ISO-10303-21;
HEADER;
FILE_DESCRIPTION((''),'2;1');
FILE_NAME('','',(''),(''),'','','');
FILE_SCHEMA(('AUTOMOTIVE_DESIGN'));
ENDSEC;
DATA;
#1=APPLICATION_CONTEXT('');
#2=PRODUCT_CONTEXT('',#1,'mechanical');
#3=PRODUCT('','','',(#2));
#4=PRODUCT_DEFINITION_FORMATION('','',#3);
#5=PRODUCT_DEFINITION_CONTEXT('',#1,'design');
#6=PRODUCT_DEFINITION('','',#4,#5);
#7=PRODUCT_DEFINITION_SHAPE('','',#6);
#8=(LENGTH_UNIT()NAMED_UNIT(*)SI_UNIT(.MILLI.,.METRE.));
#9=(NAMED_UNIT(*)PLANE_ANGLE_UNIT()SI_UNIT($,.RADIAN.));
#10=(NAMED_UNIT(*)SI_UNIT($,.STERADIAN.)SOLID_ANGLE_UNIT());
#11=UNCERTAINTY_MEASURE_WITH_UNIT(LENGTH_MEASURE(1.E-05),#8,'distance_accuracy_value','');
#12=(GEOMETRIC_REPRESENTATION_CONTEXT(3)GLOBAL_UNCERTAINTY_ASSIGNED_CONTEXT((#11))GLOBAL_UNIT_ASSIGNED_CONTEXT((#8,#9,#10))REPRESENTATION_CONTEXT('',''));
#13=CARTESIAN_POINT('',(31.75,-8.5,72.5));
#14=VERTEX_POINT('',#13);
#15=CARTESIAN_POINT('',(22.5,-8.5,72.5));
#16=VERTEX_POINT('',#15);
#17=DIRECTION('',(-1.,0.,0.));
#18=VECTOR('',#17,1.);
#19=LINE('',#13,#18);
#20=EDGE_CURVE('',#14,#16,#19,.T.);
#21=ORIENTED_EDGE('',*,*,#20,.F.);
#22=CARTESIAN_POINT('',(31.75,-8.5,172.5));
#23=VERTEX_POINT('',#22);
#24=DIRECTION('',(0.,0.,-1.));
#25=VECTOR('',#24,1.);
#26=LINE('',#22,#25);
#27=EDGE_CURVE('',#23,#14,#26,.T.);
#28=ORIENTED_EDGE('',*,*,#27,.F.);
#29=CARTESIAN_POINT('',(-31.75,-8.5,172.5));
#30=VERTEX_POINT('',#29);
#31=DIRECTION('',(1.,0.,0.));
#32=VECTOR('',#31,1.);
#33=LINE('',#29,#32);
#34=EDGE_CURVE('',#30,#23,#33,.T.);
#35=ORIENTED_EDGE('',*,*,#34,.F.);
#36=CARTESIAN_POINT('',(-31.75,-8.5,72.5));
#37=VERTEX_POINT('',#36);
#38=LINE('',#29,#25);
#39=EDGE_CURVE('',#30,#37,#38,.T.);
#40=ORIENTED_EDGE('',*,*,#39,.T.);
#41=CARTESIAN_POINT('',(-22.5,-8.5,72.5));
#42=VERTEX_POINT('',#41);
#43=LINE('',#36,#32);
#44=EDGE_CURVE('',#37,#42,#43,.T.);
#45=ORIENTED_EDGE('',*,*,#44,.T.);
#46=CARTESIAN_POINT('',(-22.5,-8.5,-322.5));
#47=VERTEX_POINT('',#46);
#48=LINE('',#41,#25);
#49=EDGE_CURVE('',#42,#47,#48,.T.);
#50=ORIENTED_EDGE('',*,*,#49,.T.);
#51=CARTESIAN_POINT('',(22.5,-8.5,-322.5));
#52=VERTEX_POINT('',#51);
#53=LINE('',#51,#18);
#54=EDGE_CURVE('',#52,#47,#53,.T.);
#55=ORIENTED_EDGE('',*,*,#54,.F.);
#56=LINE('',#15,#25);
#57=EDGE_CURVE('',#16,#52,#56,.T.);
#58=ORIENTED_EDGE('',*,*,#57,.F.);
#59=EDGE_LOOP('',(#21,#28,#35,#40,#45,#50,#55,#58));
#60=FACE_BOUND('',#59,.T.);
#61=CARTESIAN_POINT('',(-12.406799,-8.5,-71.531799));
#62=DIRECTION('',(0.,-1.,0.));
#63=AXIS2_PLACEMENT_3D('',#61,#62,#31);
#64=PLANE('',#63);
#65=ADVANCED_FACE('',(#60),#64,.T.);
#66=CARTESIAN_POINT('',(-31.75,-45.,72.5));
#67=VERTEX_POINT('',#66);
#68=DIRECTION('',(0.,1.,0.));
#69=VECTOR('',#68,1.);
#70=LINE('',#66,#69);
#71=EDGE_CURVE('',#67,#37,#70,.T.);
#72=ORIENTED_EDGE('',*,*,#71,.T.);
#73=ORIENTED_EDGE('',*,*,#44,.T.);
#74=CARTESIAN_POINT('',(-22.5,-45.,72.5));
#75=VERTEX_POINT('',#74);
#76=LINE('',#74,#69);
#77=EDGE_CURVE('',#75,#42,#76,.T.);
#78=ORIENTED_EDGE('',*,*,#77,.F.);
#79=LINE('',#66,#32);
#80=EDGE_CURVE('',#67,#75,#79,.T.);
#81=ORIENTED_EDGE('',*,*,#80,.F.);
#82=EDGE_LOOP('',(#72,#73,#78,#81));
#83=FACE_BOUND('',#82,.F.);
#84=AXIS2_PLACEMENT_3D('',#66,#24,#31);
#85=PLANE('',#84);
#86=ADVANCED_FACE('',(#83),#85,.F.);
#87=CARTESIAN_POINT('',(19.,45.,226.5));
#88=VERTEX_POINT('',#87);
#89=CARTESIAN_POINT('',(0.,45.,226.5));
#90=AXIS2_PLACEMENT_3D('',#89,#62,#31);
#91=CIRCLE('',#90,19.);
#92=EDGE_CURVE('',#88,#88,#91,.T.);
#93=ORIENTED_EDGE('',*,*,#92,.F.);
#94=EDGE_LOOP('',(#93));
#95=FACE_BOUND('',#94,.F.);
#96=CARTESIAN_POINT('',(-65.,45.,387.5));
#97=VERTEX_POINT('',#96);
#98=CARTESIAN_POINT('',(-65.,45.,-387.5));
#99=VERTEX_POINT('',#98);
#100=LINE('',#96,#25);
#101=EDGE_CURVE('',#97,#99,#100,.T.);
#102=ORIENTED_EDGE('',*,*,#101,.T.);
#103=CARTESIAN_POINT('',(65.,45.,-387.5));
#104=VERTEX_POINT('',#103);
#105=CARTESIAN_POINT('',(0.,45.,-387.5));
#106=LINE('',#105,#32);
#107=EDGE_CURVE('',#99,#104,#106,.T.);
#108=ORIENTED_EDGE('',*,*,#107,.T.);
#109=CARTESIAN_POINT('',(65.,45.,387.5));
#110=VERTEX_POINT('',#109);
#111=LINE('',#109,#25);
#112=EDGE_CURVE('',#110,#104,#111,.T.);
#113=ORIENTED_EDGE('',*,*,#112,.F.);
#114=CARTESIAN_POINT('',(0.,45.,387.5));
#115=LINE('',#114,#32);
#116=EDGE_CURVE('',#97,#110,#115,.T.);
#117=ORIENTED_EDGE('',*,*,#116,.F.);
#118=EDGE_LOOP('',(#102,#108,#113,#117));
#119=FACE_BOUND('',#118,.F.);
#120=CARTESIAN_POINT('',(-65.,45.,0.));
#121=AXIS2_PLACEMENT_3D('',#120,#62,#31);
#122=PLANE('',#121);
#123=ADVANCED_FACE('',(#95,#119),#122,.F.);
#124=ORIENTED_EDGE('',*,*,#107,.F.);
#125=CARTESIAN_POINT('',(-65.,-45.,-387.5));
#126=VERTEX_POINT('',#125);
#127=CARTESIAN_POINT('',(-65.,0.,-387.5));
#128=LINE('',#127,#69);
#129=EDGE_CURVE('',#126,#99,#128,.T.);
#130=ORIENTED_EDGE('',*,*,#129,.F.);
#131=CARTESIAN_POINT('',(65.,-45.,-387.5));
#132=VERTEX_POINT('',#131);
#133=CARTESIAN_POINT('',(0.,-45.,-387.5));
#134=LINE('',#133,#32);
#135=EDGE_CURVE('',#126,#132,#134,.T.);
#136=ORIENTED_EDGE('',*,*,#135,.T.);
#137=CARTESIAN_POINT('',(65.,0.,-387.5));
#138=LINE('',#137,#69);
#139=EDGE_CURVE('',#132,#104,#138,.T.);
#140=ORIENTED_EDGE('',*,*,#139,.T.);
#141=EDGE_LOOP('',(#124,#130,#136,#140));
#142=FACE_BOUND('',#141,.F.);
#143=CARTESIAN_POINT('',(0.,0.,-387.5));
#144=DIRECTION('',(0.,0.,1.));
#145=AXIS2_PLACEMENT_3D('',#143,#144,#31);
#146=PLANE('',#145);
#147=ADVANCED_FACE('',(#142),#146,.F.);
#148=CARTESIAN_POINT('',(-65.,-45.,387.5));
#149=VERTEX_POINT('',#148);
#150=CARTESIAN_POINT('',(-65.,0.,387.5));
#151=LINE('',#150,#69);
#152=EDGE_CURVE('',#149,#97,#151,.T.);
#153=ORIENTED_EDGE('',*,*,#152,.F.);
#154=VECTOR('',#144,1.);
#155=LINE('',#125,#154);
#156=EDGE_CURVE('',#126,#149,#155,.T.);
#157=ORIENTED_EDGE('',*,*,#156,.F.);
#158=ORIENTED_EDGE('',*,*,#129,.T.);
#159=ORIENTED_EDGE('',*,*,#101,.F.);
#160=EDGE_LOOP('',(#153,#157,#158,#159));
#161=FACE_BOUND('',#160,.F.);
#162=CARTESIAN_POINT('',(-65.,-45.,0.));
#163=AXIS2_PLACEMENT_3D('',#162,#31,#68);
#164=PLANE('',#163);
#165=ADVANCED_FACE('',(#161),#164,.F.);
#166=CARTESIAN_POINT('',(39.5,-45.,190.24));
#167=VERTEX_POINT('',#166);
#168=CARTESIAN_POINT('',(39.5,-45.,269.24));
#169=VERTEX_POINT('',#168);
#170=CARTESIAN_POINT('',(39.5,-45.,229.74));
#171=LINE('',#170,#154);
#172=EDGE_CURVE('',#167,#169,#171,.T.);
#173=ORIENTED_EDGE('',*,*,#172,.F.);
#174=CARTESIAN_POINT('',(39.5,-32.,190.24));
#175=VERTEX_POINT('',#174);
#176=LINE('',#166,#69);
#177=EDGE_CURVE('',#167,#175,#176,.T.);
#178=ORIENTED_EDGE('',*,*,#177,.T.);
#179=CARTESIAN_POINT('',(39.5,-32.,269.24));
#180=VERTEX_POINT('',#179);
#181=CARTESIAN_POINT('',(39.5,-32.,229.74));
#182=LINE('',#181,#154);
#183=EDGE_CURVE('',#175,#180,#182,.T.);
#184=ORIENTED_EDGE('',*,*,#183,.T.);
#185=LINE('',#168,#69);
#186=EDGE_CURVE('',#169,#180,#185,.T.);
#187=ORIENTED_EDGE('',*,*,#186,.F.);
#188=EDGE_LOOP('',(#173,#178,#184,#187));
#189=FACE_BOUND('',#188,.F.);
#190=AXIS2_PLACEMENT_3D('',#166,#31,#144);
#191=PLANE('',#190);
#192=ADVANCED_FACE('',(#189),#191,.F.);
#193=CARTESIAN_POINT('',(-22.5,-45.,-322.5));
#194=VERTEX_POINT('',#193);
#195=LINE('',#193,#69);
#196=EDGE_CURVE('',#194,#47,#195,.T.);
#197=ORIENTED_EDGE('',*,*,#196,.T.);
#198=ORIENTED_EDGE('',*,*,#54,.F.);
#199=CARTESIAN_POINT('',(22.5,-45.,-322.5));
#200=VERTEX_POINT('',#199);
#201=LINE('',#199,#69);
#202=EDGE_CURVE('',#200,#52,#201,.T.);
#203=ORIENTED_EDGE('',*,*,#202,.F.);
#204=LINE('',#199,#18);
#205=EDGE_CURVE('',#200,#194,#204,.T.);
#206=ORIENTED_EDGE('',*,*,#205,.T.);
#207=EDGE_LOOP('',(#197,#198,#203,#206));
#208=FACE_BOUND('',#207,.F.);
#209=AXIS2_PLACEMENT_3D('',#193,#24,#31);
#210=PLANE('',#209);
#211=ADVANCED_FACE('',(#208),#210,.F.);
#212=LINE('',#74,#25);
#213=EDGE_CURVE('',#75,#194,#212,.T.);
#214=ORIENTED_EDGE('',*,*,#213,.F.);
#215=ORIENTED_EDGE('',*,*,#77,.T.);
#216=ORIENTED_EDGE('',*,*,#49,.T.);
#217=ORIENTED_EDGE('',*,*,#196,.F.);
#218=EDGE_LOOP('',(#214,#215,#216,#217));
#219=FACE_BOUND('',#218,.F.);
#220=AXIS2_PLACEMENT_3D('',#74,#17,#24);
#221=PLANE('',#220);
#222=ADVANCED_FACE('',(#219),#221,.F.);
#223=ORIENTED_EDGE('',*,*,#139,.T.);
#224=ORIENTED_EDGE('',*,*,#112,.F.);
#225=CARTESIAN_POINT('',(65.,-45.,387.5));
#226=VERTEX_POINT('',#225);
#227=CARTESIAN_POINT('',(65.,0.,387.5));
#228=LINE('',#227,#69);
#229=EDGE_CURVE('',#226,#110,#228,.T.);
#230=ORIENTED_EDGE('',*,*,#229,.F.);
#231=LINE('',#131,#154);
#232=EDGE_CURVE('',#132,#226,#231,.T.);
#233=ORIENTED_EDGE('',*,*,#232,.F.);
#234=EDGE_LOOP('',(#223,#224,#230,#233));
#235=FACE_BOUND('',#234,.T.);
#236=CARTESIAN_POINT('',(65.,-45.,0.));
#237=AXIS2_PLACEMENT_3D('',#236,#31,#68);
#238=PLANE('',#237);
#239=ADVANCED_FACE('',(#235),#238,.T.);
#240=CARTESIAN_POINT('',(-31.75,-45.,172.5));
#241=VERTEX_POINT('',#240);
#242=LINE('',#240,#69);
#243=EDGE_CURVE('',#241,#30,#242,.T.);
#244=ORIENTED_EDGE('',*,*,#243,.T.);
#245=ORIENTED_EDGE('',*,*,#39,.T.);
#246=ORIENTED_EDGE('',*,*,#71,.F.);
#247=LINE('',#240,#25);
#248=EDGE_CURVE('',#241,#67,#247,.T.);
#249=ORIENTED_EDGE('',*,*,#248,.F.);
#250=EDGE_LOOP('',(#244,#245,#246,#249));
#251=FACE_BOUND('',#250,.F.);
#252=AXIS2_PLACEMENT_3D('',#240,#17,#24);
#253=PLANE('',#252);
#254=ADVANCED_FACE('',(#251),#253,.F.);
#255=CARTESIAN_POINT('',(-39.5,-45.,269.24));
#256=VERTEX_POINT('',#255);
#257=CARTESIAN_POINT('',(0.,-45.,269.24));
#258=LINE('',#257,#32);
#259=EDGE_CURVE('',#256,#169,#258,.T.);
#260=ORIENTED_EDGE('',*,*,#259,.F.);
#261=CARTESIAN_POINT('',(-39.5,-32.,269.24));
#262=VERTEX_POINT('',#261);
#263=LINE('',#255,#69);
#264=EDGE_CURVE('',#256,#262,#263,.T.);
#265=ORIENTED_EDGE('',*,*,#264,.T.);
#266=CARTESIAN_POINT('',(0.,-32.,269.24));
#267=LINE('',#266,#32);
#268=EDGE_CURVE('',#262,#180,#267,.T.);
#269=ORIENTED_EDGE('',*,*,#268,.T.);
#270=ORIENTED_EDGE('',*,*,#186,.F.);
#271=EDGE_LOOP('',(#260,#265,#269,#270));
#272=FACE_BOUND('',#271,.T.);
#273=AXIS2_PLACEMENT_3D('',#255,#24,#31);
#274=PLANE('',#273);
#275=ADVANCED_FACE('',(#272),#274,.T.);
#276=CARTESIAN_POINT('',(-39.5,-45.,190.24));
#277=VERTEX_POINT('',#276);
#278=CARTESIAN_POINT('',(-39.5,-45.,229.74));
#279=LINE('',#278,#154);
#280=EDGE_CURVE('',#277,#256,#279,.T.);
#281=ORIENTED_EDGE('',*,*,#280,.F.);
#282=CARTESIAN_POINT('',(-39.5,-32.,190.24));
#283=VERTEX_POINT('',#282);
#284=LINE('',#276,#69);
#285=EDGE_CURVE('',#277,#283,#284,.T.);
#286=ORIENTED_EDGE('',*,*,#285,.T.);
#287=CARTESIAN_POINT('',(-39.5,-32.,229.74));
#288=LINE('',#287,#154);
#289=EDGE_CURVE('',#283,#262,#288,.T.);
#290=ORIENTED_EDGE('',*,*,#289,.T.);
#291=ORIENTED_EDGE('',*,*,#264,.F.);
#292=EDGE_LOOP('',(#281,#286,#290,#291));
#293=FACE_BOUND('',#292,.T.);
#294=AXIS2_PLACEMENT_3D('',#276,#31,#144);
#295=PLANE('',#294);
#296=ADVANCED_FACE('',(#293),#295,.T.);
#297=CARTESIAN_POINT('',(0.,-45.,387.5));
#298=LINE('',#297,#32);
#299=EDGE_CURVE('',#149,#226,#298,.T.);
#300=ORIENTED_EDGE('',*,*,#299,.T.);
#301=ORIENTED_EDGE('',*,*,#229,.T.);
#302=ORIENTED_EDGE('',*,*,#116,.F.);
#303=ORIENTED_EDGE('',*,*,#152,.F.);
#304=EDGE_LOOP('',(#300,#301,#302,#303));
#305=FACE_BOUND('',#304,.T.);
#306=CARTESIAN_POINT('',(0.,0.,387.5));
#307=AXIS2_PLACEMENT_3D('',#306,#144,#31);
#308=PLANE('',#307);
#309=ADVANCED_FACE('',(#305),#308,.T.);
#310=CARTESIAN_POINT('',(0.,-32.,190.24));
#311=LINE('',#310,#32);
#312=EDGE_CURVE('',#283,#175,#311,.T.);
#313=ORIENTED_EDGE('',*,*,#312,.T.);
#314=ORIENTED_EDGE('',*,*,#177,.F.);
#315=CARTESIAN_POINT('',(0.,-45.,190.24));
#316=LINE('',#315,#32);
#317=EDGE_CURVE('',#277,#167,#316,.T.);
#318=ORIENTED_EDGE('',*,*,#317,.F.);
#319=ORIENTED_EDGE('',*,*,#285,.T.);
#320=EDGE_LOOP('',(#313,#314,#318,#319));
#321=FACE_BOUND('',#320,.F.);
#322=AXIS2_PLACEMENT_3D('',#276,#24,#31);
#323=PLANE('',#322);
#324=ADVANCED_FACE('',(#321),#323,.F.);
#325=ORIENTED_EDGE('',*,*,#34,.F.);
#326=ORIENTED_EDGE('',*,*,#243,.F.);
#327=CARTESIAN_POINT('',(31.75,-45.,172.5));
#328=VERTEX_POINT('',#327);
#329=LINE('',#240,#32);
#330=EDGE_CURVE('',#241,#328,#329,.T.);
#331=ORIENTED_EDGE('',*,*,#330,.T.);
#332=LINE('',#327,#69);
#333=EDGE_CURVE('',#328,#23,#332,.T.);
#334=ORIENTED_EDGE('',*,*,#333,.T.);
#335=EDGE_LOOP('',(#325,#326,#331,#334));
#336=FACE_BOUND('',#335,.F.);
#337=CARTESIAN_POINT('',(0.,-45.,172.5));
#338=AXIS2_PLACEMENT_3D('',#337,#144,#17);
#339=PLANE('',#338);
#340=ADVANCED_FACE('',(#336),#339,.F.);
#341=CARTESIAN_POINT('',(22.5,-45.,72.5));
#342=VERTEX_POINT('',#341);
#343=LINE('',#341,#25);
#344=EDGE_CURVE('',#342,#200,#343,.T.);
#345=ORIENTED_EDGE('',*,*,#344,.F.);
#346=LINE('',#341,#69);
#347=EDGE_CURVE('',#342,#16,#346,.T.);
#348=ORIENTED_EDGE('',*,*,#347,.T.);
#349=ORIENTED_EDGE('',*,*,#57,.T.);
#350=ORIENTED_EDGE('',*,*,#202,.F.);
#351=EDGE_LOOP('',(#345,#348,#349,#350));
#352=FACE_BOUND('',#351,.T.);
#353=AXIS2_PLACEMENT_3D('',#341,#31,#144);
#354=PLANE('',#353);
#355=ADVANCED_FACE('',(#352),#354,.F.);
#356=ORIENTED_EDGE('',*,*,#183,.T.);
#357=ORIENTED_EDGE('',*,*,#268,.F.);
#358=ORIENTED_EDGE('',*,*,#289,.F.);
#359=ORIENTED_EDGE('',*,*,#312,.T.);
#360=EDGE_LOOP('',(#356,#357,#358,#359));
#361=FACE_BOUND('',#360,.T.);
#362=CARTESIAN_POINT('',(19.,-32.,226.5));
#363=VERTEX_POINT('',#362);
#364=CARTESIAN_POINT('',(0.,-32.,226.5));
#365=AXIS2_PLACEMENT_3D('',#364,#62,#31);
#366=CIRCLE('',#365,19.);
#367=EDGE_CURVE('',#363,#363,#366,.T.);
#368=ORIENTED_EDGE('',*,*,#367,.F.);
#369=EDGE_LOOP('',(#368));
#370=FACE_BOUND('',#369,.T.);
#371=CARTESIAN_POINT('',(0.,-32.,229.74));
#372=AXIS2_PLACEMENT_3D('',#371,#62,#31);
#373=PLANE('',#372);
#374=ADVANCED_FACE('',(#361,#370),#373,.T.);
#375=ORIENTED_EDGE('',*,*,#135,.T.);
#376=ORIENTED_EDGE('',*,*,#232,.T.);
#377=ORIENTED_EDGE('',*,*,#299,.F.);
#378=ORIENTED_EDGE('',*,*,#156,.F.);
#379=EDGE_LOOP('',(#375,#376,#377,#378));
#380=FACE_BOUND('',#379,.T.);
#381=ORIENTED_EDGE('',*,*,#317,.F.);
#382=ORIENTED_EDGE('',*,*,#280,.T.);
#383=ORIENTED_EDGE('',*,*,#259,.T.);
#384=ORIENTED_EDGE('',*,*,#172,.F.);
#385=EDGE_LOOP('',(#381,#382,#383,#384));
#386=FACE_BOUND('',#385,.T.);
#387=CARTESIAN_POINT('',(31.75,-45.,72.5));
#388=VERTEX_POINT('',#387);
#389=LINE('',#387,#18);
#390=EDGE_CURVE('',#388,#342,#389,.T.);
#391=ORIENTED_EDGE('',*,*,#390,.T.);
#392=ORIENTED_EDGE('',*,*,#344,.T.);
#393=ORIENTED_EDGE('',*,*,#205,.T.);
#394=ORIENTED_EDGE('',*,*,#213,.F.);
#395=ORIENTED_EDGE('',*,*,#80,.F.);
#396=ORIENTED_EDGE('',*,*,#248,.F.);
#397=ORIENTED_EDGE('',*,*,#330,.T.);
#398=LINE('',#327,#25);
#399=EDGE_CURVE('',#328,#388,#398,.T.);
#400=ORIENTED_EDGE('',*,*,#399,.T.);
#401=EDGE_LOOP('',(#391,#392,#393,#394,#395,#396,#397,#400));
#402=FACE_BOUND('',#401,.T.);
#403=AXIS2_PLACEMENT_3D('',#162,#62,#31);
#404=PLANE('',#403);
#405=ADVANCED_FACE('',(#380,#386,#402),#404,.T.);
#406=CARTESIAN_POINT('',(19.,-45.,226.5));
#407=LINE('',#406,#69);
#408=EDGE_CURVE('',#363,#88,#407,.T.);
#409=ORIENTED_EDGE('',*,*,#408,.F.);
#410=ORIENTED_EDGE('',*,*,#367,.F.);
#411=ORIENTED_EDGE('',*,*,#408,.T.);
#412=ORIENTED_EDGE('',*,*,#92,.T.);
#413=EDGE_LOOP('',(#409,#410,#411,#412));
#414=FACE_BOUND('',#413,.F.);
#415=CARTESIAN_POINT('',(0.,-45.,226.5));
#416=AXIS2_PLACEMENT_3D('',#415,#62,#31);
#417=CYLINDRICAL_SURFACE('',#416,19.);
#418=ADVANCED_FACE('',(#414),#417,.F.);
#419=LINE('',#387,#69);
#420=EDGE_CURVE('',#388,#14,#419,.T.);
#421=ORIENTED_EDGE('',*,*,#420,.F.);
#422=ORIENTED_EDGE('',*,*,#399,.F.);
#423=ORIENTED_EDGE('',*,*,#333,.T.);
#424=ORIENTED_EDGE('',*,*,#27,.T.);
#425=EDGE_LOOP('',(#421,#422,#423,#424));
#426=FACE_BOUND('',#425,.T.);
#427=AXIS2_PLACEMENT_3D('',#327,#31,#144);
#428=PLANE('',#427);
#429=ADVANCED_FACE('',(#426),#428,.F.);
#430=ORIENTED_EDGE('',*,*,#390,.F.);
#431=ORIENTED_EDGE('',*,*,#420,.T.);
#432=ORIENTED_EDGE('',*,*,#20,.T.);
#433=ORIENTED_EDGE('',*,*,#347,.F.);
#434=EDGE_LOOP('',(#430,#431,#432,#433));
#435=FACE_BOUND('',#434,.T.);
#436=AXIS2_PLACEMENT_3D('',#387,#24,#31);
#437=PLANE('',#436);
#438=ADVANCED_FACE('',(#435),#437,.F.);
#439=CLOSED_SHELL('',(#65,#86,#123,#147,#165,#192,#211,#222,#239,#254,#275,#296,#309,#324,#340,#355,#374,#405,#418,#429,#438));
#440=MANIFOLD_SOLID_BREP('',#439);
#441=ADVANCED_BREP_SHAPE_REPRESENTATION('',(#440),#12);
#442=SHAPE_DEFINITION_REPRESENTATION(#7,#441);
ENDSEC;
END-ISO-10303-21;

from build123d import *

# Parameters (mm, degrees)
SKETCH_W        = 130
SKETCH_H        = 90
PAD_DEPTH       = 387.5
POCKET_DEPTH    = 36.5
SKETCH002_R     = 19
POCKET001_DEPTH = 90.001
SKETCH003_W     = 79
SKETCH003_H     = 79
POCKET002_DEPTH = 13


with BuildPart() as part:
    # Sketch → Pad (new body, symmetric)
    with BuildSketch(Plane.XY):
        Rectangle(SKETCH_W, SKETCH_H)
    extrude(amount=PAD_DEPTH, both=True)

    # Sketch001 → Pocket (cut)
    with BuildSketch(Plane.XZ.offset(45)):
        Polygon((0, 172.5), (-31.75, 172.5), (-31.75, 72.5), (-22.5, 72.5), (-22.5, -322.5), (0, -322.5), align=None)
    pocket = extrude(amount=-POCKET_DEPTH, mode=Mode.SUBTRACT)

    # Mirrored: Pocket across Sketch001 V_Axis
    add(pocket.mirror(Plane(origin=(0, -45, 0), x_dir=(0, -1, 0), z_dir=(1, 0, 0))), mode=Mode.SUBTRACT)

    # Sketch002 → Pocket001 (cut, through all)
    with BuildSketch(Plane.XZ.offset(45)):
        with Locations((0, 226.5)):
            Circle(SKETCH002_R)
    extrude(amount=-POCKET001_DEPTH, mode=Mode.SUBTRACT)

    # Sketch003 → Pocket002 (cut)
    with BuildSketch(Plane.XZ.offset(45)):
        with Locations((0, 229.74)):
            Rectangle(SKETCH003_W, SKETCH003_H)
    extrude(amount=-POCKET002_DEPTH, mode=Mode.SUBTRACT)


solid = part.part
